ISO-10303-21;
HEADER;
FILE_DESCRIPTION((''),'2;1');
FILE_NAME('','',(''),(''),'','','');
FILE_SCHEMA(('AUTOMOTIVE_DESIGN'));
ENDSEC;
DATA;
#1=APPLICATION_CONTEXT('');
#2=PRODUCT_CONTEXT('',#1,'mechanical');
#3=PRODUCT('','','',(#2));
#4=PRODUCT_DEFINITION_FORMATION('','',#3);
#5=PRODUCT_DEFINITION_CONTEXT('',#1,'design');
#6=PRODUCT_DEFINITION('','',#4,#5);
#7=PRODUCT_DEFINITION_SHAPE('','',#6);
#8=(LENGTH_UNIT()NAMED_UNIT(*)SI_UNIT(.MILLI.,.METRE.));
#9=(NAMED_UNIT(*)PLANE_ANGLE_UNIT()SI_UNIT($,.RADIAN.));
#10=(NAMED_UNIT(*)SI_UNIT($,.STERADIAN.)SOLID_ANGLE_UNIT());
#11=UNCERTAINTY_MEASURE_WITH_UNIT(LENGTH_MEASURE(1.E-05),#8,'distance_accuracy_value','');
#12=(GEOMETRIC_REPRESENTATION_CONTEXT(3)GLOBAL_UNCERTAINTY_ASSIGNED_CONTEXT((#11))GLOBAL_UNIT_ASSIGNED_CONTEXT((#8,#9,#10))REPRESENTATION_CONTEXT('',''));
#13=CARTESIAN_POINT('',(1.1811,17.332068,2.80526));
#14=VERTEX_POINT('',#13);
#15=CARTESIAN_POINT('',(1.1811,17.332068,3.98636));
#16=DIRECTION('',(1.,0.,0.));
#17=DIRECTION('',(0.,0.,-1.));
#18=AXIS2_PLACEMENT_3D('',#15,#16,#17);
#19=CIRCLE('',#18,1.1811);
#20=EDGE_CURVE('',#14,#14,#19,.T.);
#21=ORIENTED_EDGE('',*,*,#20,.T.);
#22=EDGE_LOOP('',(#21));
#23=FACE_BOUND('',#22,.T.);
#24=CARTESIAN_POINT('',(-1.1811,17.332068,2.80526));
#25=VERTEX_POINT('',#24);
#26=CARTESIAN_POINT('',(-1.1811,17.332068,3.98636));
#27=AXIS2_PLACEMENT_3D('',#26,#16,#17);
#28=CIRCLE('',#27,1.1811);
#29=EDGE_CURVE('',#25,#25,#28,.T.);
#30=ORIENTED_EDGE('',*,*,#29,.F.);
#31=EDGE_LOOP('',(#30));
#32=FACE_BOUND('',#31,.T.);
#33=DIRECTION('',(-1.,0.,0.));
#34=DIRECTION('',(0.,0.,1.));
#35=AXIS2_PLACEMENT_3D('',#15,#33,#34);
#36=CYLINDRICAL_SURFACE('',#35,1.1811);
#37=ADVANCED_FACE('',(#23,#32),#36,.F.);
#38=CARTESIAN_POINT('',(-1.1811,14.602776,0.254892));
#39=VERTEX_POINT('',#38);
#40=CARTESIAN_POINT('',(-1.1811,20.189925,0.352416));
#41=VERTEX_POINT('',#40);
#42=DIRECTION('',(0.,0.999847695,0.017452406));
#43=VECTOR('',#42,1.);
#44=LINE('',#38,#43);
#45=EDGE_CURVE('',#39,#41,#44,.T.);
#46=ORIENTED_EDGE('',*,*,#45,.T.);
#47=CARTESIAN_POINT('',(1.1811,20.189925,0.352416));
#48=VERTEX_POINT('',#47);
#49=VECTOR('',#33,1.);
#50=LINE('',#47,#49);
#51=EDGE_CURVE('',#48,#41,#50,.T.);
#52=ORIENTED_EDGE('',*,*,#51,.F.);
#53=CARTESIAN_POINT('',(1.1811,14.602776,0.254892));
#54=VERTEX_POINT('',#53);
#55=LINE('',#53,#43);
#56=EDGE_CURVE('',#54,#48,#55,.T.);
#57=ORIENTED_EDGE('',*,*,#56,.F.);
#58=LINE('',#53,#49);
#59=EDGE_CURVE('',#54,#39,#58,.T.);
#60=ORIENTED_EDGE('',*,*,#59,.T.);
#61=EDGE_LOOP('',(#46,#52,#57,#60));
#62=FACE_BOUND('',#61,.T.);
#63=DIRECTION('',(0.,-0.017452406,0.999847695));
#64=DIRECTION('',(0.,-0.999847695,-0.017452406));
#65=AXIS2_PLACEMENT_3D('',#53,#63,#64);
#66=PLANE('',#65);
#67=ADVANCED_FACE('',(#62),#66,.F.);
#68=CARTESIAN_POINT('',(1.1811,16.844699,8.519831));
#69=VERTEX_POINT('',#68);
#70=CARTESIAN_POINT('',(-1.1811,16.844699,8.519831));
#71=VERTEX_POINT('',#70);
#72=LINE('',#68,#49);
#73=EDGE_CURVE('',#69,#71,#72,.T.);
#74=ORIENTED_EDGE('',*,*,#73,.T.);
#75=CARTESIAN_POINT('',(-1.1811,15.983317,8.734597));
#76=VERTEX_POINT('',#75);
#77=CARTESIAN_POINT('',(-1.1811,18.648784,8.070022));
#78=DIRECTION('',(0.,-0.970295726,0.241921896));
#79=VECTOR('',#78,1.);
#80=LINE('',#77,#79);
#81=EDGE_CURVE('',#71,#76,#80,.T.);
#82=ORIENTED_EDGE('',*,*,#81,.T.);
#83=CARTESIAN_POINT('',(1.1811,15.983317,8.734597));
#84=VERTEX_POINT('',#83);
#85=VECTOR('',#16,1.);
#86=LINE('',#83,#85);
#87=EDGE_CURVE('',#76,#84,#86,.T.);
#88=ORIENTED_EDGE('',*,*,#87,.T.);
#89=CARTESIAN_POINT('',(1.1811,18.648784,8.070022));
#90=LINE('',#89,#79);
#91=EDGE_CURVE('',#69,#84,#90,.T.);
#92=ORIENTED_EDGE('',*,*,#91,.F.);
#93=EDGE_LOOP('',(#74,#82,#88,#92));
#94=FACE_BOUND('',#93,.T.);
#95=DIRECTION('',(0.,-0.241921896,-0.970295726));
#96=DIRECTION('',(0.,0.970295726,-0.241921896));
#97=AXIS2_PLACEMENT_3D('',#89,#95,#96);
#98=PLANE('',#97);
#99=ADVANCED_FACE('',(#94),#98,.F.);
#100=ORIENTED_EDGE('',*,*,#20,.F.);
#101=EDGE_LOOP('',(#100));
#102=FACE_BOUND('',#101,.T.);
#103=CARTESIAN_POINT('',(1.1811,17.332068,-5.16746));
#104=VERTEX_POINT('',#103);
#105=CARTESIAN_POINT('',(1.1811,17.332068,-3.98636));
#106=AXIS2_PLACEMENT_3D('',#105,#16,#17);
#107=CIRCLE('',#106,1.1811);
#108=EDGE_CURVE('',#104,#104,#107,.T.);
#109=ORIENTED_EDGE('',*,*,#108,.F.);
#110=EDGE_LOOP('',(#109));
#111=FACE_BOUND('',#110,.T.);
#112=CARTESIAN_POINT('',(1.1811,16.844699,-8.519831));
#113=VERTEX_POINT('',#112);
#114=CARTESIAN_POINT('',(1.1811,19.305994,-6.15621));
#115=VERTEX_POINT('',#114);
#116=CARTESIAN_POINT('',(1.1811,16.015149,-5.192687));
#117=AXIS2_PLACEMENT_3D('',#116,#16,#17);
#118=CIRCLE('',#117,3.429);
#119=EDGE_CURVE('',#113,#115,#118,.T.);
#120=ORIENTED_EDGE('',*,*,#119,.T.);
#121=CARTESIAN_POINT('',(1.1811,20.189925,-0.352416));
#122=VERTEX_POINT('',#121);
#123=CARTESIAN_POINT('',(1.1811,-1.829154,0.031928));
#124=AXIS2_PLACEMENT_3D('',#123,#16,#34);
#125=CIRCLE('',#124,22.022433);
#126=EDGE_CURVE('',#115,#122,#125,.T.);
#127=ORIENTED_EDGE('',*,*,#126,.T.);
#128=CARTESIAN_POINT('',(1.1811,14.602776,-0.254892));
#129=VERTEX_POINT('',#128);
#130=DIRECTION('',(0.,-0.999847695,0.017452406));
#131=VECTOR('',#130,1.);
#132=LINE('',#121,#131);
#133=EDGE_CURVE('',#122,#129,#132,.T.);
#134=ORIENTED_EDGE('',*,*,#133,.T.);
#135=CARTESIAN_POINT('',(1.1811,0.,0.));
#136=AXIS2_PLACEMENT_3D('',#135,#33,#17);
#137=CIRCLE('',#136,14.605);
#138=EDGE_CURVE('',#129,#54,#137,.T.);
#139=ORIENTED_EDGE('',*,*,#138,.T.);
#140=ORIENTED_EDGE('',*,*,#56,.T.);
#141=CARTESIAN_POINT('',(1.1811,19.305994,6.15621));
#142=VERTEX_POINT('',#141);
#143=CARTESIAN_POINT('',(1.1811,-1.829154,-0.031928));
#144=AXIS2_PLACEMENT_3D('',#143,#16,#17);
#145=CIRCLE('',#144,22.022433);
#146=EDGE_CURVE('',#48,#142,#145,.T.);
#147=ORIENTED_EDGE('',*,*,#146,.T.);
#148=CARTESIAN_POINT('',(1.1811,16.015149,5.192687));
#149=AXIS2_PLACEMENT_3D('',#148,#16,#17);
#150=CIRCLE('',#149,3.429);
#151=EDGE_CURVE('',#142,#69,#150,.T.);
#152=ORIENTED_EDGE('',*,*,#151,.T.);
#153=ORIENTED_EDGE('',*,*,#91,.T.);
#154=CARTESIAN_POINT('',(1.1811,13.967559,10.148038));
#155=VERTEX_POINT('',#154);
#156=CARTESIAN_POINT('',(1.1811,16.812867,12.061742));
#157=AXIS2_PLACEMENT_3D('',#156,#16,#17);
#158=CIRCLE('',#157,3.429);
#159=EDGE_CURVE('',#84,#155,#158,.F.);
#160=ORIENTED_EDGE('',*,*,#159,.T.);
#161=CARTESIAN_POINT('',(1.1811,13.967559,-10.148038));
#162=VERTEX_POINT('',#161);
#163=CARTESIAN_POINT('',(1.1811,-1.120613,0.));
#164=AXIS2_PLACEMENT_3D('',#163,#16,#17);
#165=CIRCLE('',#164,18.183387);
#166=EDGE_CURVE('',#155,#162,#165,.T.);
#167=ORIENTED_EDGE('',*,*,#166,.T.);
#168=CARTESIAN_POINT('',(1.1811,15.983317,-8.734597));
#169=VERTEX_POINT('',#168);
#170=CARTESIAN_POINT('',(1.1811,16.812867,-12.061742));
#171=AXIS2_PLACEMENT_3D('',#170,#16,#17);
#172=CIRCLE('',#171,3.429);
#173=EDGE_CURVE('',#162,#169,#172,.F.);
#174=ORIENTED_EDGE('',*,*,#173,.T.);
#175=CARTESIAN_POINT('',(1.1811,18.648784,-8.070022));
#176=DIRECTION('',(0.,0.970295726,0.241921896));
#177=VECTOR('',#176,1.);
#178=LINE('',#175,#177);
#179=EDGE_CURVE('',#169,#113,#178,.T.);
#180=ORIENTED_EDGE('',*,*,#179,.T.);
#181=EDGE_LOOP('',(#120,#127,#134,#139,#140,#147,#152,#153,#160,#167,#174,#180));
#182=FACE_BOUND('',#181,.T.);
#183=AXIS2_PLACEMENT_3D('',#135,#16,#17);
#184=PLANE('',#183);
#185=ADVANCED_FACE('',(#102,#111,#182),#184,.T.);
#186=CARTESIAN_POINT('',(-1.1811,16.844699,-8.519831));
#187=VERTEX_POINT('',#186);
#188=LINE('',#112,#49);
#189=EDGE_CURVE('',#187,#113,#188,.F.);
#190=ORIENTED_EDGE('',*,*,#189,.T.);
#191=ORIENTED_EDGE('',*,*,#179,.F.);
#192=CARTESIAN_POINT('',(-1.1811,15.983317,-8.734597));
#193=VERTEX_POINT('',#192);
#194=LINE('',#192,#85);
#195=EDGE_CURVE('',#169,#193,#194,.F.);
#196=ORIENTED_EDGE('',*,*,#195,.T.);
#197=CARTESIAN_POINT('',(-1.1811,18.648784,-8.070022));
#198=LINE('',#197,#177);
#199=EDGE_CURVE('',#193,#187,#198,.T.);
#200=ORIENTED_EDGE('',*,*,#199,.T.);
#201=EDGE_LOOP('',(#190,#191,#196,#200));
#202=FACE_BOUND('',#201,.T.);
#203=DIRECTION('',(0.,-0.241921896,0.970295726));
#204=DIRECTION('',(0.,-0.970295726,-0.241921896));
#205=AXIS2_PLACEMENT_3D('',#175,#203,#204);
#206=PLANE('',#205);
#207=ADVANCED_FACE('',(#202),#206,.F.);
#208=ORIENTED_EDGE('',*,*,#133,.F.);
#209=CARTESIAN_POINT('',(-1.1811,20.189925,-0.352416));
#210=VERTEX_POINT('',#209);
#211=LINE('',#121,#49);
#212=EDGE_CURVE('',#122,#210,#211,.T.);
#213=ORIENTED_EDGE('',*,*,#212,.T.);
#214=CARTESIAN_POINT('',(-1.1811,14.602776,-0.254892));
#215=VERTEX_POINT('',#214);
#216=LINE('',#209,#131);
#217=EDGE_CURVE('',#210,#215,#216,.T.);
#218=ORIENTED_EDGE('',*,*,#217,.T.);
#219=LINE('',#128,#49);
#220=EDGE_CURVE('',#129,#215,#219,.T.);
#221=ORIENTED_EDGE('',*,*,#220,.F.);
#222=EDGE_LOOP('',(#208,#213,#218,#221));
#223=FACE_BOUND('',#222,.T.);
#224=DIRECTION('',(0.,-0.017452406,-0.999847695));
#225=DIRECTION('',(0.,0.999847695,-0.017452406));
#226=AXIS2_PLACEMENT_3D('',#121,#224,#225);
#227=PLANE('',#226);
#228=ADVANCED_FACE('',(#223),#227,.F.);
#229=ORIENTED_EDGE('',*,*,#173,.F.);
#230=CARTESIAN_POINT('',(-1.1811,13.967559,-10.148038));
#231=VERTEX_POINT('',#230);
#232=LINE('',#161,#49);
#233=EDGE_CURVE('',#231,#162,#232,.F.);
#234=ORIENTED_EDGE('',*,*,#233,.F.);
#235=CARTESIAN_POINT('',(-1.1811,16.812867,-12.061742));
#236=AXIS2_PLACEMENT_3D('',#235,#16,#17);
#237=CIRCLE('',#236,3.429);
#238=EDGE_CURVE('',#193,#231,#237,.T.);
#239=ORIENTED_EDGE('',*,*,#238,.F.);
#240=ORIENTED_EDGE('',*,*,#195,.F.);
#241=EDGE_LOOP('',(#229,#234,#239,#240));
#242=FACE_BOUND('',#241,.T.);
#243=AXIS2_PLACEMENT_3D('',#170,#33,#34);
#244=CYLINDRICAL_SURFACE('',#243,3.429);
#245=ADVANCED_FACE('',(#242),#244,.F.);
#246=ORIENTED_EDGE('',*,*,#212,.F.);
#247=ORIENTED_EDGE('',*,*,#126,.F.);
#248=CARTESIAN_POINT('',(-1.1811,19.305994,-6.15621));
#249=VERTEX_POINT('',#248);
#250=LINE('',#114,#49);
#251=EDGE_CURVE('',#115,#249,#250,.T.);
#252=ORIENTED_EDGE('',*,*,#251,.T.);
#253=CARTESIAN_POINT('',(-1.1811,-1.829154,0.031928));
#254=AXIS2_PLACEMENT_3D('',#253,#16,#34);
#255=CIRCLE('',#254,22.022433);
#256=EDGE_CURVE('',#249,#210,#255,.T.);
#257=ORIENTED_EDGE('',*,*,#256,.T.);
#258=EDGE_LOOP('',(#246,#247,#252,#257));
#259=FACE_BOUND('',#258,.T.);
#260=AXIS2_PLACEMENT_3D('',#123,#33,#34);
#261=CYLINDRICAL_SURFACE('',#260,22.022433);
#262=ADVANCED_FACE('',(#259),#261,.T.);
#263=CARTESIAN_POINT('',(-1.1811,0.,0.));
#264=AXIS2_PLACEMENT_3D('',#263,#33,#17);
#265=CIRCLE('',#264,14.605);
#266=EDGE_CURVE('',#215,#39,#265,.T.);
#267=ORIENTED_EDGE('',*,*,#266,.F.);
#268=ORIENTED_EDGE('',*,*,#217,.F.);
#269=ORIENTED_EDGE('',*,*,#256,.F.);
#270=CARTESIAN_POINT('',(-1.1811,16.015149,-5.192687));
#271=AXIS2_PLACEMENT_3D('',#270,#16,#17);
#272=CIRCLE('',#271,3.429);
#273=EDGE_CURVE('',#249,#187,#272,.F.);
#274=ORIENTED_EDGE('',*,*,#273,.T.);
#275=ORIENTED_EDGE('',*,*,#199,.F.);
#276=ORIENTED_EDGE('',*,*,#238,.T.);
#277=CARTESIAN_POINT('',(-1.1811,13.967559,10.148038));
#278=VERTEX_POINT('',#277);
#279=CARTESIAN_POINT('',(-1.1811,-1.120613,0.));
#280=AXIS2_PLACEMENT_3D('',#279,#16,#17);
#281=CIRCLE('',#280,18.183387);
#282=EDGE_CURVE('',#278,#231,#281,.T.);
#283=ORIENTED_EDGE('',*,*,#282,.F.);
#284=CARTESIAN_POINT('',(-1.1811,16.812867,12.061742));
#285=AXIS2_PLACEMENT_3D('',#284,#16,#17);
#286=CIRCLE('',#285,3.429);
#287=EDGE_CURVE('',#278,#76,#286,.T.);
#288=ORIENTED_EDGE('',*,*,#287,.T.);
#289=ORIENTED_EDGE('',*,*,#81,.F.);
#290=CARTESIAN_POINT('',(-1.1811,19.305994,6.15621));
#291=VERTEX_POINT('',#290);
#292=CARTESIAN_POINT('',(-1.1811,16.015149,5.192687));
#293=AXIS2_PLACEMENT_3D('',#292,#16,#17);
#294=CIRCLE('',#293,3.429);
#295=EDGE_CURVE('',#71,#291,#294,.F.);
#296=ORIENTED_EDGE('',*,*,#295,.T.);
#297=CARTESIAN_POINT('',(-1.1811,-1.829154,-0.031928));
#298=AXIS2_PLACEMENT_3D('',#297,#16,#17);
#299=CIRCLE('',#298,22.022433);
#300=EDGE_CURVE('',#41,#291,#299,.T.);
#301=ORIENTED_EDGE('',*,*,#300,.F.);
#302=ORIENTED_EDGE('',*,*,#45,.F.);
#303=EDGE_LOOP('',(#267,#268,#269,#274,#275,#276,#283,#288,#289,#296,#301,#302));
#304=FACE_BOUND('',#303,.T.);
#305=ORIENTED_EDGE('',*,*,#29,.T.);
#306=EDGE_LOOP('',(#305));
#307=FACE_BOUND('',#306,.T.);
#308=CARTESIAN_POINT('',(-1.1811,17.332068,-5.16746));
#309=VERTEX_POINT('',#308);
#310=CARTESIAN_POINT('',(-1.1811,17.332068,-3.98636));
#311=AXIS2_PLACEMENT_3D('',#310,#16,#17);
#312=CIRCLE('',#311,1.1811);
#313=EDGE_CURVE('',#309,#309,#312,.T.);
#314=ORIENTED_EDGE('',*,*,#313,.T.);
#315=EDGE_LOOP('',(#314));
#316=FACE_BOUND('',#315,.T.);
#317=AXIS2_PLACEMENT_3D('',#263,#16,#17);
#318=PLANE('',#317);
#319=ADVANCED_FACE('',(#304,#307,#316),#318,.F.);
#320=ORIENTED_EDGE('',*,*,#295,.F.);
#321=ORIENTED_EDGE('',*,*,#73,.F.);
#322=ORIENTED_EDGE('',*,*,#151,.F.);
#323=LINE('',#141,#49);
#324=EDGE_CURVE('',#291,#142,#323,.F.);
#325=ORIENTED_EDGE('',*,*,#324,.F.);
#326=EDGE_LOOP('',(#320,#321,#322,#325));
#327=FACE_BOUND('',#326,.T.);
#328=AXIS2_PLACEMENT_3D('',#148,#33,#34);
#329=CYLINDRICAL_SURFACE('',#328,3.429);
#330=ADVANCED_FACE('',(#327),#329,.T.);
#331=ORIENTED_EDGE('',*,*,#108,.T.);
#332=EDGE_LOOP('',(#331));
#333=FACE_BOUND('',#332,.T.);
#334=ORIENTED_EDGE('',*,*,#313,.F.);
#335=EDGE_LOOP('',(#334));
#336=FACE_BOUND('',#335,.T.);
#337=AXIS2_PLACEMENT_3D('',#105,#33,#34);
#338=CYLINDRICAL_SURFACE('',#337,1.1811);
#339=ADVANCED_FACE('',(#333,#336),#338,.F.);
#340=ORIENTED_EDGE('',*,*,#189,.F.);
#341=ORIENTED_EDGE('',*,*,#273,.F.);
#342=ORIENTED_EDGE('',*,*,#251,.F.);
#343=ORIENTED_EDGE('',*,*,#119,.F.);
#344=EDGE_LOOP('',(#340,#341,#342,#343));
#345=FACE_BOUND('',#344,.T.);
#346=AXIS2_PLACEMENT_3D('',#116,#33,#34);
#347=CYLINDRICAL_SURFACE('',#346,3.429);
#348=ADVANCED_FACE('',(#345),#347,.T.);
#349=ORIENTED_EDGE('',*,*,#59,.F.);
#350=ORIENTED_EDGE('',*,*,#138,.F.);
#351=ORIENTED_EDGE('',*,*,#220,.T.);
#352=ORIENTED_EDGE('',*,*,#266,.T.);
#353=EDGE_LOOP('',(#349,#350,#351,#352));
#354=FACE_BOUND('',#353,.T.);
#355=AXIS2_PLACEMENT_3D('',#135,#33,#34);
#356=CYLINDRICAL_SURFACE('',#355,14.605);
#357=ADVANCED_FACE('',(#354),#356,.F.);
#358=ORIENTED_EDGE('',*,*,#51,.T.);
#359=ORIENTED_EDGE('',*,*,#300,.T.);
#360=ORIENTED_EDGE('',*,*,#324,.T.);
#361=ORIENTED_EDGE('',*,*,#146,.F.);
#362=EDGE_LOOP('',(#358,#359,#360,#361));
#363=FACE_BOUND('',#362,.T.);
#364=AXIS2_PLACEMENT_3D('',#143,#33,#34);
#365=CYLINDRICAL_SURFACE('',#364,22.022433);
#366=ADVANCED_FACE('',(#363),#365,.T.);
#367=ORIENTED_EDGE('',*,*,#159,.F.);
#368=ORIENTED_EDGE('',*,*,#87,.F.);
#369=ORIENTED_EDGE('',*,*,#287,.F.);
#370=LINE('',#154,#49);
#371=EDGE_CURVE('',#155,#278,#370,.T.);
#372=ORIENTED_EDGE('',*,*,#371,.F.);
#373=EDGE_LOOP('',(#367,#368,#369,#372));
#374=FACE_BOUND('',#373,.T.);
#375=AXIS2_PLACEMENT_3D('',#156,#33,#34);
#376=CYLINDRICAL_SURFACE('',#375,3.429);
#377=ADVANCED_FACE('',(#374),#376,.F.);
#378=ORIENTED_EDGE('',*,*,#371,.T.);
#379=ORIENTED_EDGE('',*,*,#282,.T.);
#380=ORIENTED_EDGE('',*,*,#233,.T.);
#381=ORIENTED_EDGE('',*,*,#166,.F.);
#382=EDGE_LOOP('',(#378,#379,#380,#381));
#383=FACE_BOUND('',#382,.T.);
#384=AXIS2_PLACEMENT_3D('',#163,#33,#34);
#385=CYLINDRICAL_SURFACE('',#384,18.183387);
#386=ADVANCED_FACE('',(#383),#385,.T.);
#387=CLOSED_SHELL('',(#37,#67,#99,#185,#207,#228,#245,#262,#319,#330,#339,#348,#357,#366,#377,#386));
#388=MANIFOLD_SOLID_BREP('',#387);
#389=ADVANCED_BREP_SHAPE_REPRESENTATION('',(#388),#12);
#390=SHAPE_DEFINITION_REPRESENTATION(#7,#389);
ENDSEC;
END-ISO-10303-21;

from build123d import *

# Parameters (mm, degrees)
SKETCH1_R      = 1.1811
EXTRUDE1_DEPTH = 1.1811
FILLET1_R      = 3.429


with BuildPart() as part:
    # Sketch1 → Extrude1 (new, symmetric)
    with BuildSketch(Plane(origin=(0, 0, 0), x_dir=(0, 0, -1), z_dir=(1, 0, 0))):
        with BuildLine():
            Line((-0.254892396, 14.602775588), (-0.352416443, 20.189924508))
            ThreePointArc((-0.352416443, 20.189924508), (-4.280620651, 19.766898027), (-8.070021783, 18.6487841))
            Line((-8.070021783, 18.6487841), (-9.069686411, 14.639348273))
            ThreePointArc((-9.069686411, 14.639348273), (0, -19.304), (9.069686411, 14.639348273))
            Line((9.069686411, 14.639348273), (8.070021783, 18.6487841))
            ThreePointArc((8.070021783, 18.6487841), (4.280620651, 19.766898027), (0.352416443, 20.189924508))
            Line((0.352416443, 20.189924508), (0.254892396, 14.602775588))
            ThreePointArc((0.254892396, 14.602775588), (0, -14.605), (-0.254892396, 14.602775588))
        make_face()
        with Locations((-3.986359627, 17.33206819)):
            Circle(SKETCH1_R, mode=Mode.SUBTRACT)
        with Locations((3.986359627, 17.33206819)):
            Circle(SKETCH1_R, mode=Mode.SUBTRACT)
    extrude(amount=EXTRUDE1_DEPTH, both=True)

    # Fillet1
    fillet1_edges = [part.edges().sort_by_distance(p)[0] for p in [
        (0, 18.6487841, -8.070021783),
        (0, 14.639348273, -9.069686411),
        (0, 14.639348273, 9.069686411),
        (0, 18.6487841, 8.070021783),
    ]]
    fillet(fillet1_edges, radius=FILLET1_R)


solid = part.part
